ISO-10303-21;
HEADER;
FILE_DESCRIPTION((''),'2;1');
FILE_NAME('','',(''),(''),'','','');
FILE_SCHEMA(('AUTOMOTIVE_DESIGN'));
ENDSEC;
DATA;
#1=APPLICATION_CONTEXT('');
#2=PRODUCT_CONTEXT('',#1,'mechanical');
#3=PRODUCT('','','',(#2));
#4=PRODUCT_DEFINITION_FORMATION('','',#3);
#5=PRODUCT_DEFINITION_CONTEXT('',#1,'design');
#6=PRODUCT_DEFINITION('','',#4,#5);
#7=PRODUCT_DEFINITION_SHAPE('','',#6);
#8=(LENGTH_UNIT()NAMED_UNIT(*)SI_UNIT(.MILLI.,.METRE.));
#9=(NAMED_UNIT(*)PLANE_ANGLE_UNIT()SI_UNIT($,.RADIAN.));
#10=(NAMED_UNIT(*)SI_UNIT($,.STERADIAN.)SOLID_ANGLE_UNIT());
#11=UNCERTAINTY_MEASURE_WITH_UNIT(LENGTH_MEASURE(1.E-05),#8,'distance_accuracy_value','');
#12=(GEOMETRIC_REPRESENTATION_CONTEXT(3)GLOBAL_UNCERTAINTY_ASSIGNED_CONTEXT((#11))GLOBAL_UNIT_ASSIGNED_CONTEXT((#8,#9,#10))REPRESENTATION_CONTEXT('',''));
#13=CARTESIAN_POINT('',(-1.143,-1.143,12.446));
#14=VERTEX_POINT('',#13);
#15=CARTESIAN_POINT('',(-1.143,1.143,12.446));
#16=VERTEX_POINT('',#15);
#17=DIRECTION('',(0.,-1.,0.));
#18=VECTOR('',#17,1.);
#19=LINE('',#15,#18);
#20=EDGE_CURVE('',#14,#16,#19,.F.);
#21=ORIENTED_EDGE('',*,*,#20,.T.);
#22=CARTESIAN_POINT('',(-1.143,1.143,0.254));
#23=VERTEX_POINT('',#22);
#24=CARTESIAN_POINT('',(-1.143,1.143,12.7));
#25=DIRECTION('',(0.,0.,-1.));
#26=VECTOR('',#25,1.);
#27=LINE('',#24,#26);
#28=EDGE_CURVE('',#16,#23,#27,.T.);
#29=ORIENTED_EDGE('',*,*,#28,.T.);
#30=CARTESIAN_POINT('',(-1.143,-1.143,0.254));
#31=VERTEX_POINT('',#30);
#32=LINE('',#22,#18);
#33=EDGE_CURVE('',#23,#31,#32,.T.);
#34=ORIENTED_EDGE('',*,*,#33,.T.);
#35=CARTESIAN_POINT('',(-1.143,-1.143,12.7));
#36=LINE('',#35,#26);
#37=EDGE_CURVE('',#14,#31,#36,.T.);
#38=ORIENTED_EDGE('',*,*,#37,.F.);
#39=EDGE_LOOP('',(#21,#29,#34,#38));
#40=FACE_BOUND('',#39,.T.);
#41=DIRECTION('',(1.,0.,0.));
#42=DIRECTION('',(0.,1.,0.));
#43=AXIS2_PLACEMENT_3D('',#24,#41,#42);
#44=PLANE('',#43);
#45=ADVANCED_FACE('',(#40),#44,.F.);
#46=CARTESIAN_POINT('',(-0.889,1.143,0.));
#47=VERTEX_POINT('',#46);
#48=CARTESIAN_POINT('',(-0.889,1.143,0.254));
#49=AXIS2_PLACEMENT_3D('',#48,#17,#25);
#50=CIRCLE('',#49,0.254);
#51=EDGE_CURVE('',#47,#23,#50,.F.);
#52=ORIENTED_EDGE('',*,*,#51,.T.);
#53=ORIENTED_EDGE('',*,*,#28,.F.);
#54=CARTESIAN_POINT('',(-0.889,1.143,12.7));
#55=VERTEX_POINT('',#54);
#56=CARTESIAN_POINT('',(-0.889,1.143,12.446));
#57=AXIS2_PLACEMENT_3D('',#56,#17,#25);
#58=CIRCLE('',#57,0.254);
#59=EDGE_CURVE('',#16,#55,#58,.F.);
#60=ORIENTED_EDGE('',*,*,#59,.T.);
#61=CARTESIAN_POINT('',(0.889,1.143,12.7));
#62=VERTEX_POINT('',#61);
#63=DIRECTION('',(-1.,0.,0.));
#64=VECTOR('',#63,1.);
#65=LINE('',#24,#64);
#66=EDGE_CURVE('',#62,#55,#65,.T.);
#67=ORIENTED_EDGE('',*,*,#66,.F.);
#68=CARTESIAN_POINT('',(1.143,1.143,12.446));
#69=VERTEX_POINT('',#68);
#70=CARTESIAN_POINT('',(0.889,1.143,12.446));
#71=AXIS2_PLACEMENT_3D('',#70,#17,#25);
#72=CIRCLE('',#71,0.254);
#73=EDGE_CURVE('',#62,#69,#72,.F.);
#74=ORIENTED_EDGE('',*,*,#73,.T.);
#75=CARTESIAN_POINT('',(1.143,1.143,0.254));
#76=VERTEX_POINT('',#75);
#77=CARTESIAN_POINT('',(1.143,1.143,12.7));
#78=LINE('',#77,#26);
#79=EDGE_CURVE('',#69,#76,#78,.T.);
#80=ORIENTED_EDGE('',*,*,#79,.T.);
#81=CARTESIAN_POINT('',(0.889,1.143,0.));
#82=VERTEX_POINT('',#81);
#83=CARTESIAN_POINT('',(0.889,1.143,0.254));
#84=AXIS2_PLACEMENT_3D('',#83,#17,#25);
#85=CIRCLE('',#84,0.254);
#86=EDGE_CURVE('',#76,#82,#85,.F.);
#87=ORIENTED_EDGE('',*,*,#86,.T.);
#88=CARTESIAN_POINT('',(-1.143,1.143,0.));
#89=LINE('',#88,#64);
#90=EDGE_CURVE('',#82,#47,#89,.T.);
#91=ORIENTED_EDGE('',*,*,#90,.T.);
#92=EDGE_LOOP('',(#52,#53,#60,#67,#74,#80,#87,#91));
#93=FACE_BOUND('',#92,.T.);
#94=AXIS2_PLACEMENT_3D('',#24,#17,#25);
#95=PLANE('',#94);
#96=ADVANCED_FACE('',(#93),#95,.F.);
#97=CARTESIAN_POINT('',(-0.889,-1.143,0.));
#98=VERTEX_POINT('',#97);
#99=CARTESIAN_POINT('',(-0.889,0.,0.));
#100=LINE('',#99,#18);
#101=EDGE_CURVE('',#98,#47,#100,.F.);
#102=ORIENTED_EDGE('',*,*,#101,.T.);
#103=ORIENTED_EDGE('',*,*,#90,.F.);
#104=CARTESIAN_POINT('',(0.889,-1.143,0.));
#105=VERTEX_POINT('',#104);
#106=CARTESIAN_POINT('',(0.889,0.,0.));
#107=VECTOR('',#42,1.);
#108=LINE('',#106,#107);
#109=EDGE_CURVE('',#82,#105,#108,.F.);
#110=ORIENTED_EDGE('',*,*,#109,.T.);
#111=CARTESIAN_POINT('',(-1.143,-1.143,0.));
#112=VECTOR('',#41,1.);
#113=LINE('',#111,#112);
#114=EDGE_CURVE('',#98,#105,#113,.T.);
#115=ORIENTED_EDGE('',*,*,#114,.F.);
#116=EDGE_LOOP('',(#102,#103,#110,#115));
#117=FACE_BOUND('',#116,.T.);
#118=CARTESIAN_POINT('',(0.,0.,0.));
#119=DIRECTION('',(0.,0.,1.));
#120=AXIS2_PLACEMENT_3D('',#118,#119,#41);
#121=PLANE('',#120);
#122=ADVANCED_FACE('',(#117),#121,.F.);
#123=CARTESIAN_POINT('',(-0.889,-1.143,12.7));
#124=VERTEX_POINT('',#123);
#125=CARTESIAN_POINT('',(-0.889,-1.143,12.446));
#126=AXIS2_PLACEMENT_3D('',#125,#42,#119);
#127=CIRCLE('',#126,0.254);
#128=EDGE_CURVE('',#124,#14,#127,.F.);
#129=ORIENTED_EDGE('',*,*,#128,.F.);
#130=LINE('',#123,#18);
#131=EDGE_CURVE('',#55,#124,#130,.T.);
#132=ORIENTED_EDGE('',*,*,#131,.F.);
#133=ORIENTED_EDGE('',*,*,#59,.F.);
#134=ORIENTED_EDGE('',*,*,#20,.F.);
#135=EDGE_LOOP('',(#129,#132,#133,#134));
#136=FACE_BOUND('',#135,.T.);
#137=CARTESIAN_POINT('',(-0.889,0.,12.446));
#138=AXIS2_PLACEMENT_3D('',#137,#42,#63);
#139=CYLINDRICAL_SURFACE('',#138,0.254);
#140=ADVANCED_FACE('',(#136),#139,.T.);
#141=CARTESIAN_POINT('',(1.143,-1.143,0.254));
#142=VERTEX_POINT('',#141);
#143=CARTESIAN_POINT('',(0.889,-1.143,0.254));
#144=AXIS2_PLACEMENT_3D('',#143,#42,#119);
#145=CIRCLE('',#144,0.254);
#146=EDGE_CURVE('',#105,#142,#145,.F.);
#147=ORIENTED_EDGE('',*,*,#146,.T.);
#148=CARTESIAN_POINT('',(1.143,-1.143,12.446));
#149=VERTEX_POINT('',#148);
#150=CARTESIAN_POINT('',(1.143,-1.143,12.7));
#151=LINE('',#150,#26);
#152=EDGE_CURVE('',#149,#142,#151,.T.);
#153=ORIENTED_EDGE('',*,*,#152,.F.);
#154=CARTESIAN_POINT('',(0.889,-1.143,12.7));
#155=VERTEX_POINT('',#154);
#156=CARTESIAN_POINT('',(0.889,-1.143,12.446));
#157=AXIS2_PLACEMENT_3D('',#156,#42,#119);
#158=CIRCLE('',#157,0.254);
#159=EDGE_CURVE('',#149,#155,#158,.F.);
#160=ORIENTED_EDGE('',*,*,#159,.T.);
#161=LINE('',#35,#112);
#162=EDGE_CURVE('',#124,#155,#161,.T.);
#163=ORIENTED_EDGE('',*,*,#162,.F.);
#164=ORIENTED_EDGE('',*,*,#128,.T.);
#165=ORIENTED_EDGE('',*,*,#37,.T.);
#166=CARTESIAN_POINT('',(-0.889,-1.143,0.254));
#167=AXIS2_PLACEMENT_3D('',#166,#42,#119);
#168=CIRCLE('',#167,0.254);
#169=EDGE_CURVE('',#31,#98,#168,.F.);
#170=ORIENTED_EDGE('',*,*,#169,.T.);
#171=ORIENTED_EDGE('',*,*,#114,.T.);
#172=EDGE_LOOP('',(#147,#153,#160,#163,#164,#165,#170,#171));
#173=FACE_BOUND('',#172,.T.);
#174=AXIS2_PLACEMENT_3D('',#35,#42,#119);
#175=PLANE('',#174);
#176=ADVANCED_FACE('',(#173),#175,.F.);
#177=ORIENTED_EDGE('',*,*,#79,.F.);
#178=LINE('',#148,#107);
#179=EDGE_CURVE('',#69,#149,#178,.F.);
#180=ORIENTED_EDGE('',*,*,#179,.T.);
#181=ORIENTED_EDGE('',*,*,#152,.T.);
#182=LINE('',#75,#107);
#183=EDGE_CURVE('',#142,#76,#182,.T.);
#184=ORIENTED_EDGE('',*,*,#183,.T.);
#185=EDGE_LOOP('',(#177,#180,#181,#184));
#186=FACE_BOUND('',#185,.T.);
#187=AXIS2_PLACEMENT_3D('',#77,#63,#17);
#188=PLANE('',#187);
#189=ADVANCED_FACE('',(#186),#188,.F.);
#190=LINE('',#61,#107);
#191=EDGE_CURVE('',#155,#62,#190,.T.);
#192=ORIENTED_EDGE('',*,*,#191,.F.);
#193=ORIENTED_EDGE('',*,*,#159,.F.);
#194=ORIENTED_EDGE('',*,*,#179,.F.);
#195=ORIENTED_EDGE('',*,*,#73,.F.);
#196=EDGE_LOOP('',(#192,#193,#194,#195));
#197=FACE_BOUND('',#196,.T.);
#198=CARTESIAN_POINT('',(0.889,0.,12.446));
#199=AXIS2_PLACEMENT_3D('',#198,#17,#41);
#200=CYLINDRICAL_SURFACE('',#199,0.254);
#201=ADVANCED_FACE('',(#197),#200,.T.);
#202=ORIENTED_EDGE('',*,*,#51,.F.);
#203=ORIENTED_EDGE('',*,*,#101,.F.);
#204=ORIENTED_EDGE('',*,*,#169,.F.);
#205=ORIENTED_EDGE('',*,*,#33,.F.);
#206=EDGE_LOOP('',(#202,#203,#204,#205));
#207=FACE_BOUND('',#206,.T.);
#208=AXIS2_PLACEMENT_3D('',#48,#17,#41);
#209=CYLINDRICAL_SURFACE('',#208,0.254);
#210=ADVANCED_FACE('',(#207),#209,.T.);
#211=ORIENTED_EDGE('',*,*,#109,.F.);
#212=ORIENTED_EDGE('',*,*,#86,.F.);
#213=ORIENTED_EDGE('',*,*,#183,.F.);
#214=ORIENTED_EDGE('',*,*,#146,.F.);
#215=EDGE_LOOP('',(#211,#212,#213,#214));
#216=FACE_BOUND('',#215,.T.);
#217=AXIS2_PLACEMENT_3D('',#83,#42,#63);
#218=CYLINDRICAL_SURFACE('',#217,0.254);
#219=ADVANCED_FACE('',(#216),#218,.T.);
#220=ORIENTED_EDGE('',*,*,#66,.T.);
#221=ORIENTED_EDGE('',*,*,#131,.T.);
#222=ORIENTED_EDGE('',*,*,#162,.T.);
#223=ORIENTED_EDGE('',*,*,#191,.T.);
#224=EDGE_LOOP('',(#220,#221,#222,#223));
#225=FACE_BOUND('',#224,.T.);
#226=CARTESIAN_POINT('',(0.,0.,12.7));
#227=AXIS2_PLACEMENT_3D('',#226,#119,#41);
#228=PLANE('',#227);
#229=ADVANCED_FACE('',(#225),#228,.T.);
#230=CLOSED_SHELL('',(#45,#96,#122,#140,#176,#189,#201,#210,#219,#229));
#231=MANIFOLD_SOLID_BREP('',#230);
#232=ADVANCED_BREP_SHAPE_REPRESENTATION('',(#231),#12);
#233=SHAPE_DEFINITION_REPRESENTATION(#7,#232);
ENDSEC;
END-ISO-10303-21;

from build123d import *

# Parameters (mm, degrees)
SKETCH1_W           = 2.286
SKETCH1_H           = 2.286
BOSS_EXTRUDE1_DEPTH = 12.7
FILLET1_R           = 0.254


with BuildPart() as part:
    # Sketch1 → Boss-Extrude1 (new body)
    with BuildSketch(Plane.XY):
        Rectangle(SKETCH1_W, SKETCH1_H)
    extrude(amount=BOSS_EXTRUDE1_DEPTH)

    # Fillet1
    fillet1_edges = [part.edges().sort_by_distance(p)[0] for p in [
        (-1.143, 0, 12.7),
        (1.143, 0, 12.7),
        (-1.143, 0, 0),
        (1.143, 0, 0),
    ]]
    fillet(fillet1_edges, radius=FILLET1_R)


solid = part.part
